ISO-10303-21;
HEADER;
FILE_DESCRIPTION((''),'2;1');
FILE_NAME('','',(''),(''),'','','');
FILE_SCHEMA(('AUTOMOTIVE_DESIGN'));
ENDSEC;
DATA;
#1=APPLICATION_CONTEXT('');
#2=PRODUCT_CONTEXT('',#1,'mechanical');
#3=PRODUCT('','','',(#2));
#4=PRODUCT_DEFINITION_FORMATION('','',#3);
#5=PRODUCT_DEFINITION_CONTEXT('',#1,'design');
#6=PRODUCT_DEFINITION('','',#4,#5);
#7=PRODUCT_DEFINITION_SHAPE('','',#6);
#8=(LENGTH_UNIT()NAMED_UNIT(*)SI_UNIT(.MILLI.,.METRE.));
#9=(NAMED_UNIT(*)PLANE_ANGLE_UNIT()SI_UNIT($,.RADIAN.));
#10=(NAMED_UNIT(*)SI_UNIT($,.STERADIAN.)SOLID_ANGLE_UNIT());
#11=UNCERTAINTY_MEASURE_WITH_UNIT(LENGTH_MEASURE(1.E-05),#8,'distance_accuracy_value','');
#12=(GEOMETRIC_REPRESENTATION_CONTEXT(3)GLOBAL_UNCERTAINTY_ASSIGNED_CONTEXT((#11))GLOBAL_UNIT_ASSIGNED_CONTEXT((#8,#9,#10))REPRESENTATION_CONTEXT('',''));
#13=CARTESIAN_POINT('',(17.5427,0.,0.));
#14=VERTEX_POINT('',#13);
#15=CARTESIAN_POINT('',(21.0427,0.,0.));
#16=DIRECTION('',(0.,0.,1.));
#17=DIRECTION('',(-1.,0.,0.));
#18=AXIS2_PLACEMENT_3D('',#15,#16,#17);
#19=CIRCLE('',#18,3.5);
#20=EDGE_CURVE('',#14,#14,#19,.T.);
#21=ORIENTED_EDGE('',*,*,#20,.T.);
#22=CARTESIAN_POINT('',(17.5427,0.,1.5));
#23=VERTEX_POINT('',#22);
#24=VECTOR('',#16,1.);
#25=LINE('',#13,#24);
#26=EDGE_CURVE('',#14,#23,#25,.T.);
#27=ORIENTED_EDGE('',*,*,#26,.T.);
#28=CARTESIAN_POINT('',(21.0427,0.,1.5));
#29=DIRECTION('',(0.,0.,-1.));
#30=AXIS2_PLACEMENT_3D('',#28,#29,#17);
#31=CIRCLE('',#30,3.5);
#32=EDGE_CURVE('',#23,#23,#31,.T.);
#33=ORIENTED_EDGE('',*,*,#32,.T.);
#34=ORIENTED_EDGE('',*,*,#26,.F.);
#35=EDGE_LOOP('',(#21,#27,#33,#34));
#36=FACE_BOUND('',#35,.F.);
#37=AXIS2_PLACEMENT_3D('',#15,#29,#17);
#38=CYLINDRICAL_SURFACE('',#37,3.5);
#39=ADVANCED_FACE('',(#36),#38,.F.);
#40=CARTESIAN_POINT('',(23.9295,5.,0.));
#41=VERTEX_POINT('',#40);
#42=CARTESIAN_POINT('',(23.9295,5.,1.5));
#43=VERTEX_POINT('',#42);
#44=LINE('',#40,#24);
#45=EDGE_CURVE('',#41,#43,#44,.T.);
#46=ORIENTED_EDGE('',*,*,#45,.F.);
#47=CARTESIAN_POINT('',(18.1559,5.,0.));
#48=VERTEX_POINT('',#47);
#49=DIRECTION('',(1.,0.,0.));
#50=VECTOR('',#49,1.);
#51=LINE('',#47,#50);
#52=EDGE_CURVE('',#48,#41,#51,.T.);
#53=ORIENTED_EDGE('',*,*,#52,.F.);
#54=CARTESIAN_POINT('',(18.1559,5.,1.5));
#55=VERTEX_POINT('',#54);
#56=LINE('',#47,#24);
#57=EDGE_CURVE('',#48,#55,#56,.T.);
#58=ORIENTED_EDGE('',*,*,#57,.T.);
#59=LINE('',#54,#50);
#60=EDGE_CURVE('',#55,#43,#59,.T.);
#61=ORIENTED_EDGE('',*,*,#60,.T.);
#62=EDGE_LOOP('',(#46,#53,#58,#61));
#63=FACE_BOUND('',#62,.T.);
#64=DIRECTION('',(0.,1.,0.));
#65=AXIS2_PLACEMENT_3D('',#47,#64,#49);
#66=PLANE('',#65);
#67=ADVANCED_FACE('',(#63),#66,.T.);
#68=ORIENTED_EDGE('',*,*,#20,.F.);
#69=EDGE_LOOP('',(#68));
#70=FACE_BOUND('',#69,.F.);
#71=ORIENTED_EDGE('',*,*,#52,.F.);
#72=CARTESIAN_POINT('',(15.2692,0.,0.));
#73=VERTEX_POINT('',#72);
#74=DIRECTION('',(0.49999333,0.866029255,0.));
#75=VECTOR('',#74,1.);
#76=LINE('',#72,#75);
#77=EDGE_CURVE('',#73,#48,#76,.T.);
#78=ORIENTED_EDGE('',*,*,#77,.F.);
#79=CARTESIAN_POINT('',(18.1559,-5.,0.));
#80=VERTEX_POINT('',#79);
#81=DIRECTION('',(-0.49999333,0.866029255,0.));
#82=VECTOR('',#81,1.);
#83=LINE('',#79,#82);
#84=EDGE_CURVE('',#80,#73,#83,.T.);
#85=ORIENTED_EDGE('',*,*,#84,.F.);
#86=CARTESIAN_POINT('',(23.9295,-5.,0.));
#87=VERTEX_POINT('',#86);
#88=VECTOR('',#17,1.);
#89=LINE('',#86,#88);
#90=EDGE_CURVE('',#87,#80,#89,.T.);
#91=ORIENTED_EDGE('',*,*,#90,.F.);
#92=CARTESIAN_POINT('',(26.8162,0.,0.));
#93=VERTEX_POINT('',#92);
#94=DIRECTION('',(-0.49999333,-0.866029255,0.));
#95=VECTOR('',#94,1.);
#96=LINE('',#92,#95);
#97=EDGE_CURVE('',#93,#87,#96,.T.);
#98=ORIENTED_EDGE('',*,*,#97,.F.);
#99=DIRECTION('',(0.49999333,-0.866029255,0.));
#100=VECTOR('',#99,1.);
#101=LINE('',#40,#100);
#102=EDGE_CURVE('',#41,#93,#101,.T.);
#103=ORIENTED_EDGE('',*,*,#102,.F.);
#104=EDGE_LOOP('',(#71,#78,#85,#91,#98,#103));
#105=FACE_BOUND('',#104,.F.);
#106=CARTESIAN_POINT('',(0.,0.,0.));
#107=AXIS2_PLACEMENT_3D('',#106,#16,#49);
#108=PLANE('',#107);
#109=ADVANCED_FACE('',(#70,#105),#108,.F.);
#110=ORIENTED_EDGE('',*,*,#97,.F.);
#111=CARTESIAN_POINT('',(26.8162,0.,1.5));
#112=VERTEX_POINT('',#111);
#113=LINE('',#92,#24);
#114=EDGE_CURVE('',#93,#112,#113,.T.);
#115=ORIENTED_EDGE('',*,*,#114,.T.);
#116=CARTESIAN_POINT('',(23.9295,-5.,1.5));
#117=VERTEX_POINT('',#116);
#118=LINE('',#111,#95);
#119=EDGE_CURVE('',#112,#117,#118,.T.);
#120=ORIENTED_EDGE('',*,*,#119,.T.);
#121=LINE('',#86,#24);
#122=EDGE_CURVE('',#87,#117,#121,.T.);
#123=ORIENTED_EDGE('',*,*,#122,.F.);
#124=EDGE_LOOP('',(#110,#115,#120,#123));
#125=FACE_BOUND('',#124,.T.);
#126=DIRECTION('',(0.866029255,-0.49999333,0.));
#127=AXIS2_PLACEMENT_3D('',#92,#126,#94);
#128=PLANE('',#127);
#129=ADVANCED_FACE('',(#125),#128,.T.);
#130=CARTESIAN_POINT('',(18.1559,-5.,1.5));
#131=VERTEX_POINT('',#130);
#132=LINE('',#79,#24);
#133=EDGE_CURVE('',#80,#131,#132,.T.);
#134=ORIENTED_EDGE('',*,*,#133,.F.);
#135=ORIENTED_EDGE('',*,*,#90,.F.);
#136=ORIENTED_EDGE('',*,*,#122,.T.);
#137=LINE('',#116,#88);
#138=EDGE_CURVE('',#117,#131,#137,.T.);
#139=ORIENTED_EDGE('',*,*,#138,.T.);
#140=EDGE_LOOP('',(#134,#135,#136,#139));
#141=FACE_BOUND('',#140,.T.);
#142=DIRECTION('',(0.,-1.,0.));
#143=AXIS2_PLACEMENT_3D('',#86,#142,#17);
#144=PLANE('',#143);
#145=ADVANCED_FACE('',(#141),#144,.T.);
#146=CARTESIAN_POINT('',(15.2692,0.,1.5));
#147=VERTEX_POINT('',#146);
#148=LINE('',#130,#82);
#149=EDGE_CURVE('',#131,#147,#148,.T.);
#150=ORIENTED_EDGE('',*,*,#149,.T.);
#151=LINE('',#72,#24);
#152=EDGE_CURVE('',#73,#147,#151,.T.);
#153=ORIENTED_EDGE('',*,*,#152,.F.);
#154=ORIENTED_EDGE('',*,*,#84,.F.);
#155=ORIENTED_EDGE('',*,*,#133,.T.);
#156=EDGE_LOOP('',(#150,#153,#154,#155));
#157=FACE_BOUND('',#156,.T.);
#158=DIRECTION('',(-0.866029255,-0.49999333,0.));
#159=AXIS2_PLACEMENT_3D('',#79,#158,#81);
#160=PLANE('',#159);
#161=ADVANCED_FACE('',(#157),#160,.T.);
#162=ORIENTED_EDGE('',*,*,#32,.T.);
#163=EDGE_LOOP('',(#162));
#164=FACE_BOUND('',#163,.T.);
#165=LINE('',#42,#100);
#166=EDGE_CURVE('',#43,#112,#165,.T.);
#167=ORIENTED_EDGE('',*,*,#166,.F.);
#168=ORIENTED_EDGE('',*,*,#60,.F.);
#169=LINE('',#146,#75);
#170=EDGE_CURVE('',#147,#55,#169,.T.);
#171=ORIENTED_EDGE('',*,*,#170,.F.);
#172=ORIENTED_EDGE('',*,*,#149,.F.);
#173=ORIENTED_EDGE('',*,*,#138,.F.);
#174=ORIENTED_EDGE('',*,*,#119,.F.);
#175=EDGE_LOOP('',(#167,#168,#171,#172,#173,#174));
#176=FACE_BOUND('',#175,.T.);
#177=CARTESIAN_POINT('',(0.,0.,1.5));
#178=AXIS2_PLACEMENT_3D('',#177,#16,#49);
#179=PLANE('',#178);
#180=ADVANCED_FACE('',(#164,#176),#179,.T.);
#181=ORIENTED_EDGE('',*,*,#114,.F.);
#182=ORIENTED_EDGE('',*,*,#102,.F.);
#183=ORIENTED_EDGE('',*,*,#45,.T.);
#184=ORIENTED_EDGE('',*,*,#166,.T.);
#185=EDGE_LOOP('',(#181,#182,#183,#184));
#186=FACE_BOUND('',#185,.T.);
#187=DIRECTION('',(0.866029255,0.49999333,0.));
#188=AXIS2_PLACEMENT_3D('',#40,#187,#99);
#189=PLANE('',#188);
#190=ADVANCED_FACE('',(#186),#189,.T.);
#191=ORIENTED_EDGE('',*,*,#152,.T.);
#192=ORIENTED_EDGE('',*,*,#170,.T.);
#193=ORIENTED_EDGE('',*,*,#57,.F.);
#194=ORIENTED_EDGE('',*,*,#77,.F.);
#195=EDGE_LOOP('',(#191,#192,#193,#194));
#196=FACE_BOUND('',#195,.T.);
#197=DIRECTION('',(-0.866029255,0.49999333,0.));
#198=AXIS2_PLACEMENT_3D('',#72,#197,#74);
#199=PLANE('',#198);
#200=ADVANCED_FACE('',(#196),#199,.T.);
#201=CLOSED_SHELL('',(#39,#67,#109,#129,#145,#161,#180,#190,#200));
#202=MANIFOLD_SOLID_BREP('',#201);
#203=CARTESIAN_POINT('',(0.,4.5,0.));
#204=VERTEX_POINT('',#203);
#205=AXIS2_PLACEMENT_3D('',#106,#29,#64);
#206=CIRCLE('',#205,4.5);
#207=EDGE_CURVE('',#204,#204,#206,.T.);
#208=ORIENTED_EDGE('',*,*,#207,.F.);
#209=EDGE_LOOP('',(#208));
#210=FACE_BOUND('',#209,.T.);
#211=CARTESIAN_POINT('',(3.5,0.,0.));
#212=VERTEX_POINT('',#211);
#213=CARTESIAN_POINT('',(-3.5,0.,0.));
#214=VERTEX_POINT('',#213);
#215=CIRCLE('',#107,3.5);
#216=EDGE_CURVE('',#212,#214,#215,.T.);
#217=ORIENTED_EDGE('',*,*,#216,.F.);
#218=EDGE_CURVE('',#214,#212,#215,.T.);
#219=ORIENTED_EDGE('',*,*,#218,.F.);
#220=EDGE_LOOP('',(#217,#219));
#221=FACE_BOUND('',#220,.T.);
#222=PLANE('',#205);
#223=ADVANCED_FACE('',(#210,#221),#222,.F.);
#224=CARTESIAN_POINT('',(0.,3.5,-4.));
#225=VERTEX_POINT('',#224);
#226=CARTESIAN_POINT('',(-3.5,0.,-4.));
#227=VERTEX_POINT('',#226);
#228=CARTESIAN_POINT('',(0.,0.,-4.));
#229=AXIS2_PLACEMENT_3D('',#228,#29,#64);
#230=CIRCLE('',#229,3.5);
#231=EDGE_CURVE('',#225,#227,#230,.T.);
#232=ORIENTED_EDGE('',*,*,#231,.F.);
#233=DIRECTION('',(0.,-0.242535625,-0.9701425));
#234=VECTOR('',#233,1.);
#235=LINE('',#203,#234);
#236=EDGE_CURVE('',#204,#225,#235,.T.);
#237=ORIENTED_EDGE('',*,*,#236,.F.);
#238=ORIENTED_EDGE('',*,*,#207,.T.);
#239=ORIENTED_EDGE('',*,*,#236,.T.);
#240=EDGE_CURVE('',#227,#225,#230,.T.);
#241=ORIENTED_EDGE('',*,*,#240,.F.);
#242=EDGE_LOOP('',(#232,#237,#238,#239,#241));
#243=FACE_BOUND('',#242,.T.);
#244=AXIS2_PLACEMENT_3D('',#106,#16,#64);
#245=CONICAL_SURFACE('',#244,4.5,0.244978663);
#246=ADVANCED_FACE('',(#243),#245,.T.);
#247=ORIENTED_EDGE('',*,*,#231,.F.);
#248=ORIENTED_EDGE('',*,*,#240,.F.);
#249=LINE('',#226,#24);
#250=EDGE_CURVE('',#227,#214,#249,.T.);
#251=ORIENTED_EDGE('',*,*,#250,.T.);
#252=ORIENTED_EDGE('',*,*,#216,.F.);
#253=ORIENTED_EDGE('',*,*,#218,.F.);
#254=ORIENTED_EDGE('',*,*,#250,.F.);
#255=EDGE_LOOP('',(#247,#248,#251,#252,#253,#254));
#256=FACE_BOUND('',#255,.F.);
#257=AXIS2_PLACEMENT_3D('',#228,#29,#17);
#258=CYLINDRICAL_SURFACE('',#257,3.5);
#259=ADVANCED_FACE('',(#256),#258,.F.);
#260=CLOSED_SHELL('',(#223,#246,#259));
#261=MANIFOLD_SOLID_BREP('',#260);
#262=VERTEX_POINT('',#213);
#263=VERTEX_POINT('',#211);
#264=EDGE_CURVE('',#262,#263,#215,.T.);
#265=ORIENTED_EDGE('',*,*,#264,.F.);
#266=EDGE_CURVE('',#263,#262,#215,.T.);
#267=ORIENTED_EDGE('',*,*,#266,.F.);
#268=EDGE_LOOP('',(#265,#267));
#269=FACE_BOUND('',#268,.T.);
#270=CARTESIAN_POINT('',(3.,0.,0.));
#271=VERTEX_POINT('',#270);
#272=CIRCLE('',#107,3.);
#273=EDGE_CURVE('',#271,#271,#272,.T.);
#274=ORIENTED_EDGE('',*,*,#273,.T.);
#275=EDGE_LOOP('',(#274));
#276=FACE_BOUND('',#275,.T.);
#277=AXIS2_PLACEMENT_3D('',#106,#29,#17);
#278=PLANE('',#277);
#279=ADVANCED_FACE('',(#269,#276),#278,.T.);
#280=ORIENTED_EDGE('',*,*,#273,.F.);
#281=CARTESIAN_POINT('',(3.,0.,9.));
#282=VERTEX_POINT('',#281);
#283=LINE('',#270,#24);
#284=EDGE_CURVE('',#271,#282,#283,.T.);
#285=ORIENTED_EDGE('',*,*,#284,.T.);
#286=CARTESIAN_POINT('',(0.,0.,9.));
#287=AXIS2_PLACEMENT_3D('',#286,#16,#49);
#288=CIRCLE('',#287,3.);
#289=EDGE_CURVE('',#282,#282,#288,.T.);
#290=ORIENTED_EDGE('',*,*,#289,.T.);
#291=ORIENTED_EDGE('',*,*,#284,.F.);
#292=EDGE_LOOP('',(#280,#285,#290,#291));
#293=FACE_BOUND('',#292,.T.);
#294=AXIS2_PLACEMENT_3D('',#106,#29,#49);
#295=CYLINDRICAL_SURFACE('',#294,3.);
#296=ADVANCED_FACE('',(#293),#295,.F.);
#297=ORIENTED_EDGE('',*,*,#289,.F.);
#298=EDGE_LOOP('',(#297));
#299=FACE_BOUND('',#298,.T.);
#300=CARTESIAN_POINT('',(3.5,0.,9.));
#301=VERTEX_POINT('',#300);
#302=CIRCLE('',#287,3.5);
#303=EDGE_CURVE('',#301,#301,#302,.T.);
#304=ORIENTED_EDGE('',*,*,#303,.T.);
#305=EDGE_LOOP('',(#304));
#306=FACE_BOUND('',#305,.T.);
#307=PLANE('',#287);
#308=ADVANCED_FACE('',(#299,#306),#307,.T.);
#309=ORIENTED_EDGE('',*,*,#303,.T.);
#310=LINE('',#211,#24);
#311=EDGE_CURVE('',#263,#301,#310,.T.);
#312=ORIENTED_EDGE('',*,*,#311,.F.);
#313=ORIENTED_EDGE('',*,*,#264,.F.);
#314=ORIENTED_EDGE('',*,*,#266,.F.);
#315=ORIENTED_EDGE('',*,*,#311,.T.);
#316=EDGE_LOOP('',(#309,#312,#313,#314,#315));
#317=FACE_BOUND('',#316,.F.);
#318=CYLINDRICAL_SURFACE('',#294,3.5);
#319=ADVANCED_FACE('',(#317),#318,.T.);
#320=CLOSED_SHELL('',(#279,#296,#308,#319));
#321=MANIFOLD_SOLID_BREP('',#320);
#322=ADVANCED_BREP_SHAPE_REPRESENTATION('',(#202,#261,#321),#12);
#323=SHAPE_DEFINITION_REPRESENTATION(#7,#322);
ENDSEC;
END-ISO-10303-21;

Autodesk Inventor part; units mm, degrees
ref_plane "YZ Plane" through (0, 0, 0) normal (1, 0, 0) x (0, 1, 0)
ref_plane "XZ Plane" through (0, 0, 0) normal (0, 1, 0) x (-1, 0, 0)
ref_plane "XY Plane" through (0, 0, 0) normal (0, 0, 1) x (1, 0, 0)
sketch "Эскиз1" plane through (0, 0, 0) normal (0, 0, 1) x (1, 0, 0)
  circle A0 centre (0, 0) radius 3
  circle A1 centre (0, 0) radius 3.5
  dimension "d0" = 6
  dimension "d1" = 7
extrude "Выдавливание1" add sketch "Эскиз1" along normal blind 9
sketch "Эскиз2" plane through (0, 0, 0) normal (0, 0, -1) x (-1, 0, 0)
  circle A0 centre (0, 0) radius 4.5
  dimension "d4" = 9
sketch "Эскиз3" plane through (0, 0, 0) normal (1, 0, 0) x (0, 1, 0)
  line L0 (0, 0) -> (0, -4)
  line L1 (0, -4) -> (3.5, -4)
  line L2 (0, 0) -> (4.5, 0)
  line L3 (3.5, 0) -> (-3.5, 0) projected
  line L4 (4.5, 0) -> (3.5, -4)
  dimension "d5" = 4
  dimension "d6" = 3.5
  dimension "d7" = 4.5
revolve "Вращение1" add sketch "Эскиз3" angle 360 about axis through (0, 0, 0) along (0, 0, -1)
sketch "Эскиз4" plane through (0, 0, -4) normal (0, 0, -1) x (-1, 0, 0)
  circle A0 centre (0, 0) radius 3.5
extrude "Выдавливание2" cut sketch "Эскиз4" against normal up to surface (4 mm away)
thread "Резьба1" size "M7x1" class "6g" standard "ANSI Metric M Profile" length 7 offset 2
sketch "Эскиз5" plane through (0, 0, 0) normal (0, 0, 1) x (1, 0, 0)
  line L0 (23.9295, 5) -> (26.8162, 0)
  line L1 (26.8162, 0) -> (23.9295, -5)
  line L2 (23.9295, -5) -> (18.1559, -5)
  line L3 (18.1559, -5) -> (15.2692, 0)
  line L4 (15.2692, 0) -> (18.1559, 5)
  line L5 (18.1559, 5) -> (23.9295, 5)
  point P0 (0, 0)
  point P1 (21.0427, 0)
  dimension "d13" = 10
extrude "Выдавливание3" add sketch "Эскиз5" along normal blind 1.5
sketch "Эскиз6" plane through (0, 0, 0) normal (0, 0, -1) x (-1, 0, 0)
  line L0 (-26.8162, 0) -> (-23.9295, 5) projected
  line L1 (-18.1559, 5) -> (-15.2692, 0) projected
  line L2 (-26.8162, 0) -> (-15.2692, 0)
  circle A0 centre (-21.0427, 0) radius 3.5
  point P0 (0, 0)
  dimension "d16" = 7
extrude "Выдавливание4" cut sketch "Эскиз6" against normal through all
properties part number "Винтики шпунтики(2 детали)"
